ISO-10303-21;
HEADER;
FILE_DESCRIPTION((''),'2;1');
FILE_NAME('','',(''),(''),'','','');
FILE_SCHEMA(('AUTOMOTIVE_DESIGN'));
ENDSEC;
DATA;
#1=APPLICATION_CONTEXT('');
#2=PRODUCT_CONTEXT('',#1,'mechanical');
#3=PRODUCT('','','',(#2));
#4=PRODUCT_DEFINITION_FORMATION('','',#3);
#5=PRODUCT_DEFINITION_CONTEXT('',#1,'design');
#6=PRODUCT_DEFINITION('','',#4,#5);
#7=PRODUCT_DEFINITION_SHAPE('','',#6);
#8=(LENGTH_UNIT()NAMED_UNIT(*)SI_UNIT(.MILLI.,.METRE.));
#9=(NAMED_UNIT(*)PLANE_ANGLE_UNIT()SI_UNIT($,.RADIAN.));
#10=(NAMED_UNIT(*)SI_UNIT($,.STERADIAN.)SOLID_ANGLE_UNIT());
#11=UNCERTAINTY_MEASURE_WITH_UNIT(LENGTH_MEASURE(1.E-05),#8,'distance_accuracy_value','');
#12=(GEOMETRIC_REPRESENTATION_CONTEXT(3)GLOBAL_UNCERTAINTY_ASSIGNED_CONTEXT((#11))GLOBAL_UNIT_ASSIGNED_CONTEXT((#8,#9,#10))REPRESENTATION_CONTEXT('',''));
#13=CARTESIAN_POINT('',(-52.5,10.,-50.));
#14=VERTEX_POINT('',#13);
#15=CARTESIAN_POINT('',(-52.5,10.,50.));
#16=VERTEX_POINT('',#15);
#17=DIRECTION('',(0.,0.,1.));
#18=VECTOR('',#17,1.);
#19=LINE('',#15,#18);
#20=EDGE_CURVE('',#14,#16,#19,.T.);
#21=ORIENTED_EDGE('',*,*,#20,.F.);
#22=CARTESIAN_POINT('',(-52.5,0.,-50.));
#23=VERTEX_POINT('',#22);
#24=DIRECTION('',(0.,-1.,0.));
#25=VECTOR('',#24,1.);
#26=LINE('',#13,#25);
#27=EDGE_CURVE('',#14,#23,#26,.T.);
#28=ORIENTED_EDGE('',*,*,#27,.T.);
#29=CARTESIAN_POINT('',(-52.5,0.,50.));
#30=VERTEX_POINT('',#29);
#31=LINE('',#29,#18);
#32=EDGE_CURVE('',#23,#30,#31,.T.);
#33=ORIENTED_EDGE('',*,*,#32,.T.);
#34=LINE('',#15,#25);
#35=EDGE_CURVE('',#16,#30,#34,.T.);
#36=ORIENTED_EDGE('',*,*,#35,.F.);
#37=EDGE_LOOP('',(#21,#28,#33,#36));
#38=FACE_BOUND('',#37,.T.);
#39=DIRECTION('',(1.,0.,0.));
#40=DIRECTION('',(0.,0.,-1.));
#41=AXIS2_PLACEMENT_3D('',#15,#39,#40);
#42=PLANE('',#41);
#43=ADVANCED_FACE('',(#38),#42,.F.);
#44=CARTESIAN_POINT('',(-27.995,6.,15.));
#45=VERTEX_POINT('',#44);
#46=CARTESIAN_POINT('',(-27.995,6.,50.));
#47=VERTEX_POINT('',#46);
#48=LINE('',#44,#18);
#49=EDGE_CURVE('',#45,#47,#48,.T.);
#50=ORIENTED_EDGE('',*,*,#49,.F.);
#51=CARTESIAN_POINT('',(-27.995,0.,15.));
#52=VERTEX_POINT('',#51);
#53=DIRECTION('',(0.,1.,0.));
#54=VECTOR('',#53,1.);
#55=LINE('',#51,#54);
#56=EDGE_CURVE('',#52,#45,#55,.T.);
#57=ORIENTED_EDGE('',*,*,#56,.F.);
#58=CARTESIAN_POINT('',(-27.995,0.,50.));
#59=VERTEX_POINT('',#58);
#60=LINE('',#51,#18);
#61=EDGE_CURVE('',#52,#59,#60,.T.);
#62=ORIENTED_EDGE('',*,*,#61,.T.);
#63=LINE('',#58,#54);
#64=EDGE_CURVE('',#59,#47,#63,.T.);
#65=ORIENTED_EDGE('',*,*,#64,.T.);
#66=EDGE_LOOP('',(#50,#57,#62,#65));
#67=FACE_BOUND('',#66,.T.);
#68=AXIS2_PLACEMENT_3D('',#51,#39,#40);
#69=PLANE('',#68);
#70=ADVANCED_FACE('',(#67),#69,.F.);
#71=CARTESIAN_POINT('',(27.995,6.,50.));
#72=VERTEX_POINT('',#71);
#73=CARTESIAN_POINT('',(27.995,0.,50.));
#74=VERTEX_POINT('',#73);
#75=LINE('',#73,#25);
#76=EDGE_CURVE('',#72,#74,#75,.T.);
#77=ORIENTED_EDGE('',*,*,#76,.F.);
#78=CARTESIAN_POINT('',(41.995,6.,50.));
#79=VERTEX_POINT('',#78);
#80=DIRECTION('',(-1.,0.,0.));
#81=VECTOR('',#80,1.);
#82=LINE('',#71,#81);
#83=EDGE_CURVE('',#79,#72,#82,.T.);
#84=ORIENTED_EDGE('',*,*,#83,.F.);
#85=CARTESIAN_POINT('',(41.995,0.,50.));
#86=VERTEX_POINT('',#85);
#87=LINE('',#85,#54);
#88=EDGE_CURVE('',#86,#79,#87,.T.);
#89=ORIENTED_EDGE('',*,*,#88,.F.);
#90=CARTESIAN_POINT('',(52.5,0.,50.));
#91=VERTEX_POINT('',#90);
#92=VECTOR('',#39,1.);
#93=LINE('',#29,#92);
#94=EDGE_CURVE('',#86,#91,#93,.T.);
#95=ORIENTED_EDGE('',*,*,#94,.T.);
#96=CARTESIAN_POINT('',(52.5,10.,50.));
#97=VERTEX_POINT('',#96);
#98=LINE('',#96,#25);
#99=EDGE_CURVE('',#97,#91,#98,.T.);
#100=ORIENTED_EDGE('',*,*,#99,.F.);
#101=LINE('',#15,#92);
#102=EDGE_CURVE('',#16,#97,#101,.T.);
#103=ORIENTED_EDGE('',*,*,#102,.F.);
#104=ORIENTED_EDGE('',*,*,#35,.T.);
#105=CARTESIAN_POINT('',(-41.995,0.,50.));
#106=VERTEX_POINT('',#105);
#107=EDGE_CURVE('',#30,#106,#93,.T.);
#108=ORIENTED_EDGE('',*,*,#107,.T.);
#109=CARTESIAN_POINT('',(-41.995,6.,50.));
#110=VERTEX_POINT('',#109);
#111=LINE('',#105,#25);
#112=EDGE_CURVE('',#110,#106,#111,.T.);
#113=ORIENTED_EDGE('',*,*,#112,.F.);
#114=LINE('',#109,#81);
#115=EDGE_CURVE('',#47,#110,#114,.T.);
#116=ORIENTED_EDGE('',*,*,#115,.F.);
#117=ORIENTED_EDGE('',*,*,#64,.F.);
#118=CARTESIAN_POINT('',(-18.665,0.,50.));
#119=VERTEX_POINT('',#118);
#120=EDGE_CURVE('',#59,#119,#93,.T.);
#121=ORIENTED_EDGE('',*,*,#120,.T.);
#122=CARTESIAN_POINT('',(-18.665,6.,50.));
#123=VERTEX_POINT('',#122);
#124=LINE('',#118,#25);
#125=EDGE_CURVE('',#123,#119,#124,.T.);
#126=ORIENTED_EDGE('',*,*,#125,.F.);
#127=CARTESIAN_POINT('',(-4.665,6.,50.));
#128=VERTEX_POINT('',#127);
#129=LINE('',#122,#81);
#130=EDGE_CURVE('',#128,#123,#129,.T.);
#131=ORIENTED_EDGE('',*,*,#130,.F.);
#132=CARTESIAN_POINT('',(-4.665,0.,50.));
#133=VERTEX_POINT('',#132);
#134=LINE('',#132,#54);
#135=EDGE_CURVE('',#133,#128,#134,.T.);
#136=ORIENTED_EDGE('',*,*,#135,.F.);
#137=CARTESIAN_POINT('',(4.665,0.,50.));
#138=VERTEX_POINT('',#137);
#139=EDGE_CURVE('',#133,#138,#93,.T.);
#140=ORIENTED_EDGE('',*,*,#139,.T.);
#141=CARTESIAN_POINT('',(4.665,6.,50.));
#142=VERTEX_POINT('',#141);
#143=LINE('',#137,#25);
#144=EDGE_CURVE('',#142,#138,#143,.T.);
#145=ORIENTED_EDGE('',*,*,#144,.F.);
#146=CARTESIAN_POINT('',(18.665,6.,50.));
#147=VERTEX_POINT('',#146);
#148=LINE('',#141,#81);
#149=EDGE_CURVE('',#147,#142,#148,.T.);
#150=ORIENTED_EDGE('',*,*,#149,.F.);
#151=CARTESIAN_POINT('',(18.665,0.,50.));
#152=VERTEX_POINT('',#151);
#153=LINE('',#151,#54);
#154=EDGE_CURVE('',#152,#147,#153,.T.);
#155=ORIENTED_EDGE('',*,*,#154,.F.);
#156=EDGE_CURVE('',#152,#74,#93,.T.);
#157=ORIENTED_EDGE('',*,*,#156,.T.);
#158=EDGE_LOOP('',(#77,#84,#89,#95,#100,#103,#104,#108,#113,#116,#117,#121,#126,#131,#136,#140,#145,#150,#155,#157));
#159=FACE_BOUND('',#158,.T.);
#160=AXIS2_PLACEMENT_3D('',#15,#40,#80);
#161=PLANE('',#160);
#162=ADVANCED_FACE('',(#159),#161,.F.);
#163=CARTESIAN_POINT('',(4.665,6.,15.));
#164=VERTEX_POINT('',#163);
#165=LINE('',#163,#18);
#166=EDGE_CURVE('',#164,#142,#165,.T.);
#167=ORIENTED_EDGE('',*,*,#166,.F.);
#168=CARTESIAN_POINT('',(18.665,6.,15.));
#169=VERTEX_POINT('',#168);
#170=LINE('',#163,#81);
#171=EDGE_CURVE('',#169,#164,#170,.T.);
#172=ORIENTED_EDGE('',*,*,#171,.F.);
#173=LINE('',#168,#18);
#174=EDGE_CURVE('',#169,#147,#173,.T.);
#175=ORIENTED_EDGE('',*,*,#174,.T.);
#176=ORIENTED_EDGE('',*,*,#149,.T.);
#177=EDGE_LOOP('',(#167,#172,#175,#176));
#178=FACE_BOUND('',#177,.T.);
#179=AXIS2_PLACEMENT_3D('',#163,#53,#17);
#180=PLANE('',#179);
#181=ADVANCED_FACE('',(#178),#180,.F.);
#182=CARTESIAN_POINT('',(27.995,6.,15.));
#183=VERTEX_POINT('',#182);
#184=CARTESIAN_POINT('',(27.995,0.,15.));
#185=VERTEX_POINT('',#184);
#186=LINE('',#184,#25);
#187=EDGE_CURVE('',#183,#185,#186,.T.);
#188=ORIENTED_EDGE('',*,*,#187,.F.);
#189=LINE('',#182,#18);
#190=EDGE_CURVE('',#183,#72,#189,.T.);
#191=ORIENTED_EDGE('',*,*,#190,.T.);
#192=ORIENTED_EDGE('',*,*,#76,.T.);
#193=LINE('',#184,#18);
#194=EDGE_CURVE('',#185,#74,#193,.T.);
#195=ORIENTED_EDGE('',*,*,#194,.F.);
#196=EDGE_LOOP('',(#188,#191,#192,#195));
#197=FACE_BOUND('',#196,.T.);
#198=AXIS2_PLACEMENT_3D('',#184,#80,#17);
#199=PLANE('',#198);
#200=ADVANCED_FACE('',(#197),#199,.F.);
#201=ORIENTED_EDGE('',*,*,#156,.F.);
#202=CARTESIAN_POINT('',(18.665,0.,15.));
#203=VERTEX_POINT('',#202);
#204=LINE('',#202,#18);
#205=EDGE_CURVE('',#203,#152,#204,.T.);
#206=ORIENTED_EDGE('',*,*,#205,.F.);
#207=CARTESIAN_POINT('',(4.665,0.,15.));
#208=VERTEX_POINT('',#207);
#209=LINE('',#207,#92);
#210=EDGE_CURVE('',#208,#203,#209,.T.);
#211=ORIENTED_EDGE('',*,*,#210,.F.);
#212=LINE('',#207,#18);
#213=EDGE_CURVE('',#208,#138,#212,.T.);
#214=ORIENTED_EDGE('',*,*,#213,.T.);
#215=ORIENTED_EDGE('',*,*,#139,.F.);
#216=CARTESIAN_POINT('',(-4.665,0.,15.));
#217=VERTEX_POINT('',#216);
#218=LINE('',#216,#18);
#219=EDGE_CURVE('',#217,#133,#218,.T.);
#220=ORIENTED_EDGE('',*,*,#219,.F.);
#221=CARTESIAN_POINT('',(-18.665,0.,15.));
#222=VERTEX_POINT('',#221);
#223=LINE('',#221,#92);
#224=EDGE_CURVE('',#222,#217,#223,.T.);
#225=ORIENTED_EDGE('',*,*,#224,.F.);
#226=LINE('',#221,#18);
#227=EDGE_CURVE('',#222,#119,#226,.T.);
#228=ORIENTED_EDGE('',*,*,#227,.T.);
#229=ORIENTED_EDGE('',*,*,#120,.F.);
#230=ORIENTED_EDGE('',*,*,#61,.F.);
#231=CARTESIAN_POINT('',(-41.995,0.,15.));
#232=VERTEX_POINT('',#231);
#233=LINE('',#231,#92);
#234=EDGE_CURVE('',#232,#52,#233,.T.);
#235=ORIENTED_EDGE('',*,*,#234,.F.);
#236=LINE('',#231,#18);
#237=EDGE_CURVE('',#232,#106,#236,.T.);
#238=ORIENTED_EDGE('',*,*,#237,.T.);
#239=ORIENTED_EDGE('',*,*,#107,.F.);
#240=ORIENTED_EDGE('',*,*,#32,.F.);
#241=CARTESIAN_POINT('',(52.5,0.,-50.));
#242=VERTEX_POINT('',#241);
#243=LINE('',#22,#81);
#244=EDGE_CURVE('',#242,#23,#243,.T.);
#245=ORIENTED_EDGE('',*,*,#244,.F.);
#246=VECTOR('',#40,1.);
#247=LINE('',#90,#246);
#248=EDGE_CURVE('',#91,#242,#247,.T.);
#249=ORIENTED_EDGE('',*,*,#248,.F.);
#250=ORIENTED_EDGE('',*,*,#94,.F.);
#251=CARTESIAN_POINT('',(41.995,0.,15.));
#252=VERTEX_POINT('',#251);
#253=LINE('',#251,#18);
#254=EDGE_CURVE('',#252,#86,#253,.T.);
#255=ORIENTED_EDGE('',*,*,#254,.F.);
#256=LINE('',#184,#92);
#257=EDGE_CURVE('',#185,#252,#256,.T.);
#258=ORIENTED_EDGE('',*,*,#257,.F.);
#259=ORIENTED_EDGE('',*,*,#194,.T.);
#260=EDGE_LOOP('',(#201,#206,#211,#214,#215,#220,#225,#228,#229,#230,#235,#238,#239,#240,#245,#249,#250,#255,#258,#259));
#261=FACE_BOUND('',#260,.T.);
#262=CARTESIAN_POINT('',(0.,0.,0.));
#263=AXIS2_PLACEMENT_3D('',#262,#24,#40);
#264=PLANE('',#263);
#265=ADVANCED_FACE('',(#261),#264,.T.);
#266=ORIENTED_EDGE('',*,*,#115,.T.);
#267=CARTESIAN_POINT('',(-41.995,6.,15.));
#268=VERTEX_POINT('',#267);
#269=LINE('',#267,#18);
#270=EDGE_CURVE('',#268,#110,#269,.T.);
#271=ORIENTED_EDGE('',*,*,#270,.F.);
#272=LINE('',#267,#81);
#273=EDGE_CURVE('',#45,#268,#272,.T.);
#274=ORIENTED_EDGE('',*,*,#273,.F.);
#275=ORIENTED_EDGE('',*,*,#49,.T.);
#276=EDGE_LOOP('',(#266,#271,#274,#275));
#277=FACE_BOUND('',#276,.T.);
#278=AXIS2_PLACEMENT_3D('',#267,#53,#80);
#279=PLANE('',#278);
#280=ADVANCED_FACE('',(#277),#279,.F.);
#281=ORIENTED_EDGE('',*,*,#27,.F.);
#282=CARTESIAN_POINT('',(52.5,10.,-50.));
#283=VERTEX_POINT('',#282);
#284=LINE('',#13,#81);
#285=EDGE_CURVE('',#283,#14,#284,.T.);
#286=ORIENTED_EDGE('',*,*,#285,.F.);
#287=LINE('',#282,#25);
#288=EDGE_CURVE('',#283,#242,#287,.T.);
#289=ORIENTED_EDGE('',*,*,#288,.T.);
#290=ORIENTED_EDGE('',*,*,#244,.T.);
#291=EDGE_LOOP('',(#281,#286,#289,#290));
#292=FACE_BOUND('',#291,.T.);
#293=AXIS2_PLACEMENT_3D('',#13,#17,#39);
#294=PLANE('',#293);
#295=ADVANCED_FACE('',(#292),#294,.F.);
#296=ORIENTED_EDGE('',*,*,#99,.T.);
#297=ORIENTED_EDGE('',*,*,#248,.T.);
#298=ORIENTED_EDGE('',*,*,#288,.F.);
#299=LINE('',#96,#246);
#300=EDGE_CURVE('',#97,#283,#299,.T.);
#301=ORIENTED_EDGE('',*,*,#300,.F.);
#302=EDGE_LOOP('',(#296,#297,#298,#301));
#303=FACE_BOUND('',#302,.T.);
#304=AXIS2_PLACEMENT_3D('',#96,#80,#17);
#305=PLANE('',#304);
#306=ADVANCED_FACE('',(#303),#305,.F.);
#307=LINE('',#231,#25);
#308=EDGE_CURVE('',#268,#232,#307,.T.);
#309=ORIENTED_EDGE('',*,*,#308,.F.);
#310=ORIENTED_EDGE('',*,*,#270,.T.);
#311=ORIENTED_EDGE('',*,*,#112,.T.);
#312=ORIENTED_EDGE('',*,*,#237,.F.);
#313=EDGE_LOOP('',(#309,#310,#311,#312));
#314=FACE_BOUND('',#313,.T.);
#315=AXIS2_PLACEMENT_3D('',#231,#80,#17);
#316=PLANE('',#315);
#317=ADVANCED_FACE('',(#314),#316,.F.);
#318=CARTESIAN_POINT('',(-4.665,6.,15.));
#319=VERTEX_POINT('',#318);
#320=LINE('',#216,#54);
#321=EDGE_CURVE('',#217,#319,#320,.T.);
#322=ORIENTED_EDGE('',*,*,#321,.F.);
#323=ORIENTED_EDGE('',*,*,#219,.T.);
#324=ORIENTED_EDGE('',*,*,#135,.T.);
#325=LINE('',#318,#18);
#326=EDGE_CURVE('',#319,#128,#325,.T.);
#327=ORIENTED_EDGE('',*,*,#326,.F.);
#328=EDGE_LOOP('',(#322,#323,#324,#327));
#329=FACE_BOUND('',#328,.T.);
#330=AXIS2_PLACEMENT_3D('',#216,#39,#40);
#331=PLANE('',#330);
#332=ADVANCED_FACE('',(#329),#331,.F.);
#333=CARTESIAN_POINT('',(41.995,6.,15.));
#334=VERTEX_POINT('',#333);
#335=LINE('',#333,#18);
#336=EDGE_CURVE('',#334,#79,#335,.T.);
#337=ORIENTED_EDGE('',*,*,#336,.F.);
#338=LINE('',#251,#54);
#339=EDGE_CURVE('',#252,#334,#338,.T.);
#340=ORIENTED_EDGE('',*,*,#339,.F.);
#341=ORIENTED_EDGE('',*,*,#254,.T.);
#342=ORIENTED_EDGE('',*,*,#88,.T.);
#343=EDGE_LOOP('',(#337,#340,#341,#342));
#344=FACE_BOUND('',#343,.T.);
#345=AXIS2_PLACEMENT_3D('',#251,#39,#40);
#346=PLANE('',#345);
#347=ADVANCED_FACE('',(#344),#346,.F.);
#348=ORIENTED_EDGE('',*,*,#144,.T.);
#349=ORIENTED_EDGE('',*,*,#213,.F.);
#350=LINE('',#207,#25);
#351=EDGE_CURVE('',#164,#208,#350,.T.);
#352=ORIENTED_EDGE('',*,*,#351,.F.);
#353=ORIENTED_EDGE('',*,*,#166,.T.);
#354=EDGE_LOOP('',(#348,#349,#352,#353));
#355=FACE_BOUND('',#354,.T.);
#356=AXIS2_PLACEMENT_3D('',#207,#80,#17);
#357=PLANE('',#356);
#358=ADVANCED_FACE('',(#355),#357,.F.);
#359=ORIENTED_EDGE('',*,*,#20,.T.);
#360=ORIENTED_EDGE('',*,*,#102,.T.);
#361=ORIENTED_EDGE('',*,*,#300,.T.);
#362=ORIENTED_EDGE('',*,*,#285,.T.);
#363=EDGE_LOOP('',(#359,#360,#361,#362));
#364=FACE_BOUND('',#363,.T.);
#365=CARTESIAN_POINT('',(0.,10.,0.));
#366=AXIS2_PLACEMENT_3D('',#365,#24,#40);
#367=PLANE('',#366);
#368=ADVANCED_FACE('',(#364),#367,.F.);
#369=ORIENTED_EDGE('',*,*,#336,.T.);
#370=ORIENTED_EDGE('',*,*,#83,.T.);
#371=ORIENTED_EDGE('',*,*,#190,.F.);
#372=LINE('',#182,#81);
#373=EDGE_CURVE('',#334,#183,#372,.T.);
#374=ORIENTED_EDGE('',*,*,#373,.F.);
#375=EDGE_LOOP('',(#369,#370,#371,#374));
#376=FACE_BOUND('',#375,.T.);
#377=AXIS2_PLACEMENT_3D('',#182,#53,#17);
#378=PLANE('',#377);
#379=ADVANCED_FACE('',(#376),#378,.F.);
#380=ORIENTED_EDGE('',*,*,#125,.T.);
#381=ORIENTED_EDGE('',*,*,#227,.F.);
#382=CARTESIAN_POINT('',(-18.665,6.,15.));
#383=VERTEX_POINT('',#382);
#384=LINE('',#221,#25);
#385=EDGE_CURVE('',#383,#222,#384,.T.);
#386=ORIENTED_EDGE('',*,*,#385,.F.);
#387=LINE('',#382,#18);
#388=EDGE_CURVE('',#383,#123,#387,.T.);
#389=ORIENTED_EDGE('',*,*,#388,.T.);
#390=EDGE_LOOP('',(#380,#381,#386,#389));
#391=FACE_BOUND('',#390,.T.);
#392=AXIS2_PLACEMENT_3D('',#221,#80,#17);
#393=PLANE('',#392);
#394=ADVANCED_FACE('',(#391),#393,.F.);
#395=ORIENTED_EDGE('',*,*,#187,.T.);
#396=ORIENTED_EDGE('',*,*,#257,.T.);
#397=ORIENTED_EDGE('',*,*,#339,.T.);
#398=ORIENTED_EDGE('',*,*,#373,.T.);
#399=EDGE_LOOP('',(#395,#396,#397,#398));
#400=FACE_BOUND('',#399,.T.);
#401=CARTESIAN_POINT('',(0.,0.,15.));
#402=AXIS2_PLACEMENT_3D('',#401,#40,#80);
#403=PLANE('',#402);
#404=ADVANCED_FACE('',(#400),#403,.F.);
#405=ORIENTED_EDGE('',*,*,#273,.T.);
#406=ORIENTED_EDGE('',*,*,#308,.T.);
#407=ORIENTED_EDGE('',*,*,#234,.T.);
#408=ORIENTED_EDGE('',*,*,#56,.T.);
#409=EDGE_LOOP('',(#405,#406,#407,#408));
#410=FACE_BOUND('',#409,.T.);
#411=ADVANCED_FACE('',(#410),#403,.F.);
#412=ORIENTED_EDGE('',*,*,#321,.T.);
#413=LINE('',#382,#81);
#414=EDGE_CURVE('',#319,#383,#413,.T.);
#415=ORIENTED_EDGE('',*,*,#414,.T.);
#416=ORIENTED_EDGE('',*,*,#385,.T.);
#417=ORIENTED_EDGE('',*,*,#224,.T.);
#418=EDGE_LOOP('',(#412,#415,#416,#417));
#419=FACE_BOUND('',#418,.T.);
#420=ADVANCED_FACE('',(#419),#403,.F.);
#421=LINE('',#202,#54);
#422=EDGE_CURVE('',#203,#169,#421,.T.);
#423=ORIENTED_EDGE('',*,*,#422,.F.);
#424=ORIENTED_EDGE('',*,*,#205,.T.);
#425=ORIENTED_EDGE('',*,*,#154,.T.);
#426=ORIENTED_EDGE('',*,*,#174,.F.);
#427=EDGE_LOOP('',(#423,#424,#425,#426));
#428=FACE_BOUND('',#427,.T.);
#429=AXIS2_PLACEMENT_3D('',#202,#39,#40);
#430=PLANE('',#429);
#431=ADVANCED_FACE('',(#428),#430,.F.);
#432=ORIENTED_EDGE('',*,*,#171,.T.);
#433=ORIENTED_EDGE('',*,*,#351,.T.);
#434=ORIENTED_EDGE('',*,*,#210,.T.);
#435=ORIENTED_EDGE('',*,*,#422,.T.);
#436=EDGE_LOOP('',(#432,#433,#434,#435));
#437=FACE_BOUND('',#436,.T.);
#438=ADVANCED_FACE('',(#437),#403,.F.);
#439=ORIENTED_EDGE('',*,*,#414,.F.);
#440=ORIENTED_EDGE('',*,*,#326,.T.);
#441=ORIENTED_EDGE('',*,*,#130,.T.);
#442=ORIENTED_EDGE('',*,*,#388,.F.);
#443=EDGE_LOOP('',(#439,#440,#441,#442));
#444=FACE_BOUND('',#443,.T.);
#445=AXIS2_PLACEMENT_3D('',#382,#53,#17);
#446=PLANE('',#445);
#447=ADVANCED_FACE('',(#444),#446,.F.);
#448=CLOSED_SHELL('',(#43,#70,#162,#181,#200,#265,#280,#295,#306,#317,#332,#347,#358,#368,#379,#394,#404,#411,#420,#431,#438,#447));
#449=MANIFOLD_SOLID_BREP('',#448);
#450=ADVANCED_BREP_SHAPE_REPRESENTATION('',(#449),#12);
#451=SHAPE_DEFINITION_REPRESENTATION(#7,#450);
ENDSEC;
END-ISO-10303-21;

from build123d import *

# Parameters (mm, degrees)
SKETCH1_W           = 105
SKETCH1_H           = 100
BOSS_EXTRUDE1_DEPTH = 10
SKETCH2_W           = 14
SKETCH2_H           = 6
CUT_EXTRUDE1_DEPTH  = 35


with BuildPart() as part:
    # Sketch1 → Boss-Extrude1 (new body)
    with BuildSketch(Plane(origin=(0, 0, 0), x_dir=(1, 0, 0), z_dir=(0, 1, 0))):
        Rectangle(SKETCH1_W, SKETCH1_H)
    extrude(amount=BOSS_EXTRUDE1_DEPTH)

    # Sketch2 → Cut-Extrude1 (cut)
    with BuildSketch(Plane.XY.offset(50)):
        with Locations((-34.995, 3)):
            Rectangle(SKETCH2_W, SKETCH2_H)
        with Locations((-11.665, 3)):
            Rectangle(SKETCH2_W, SKETCH2_H)
        with Locations((34.995, 3)):
            Rectangle(SKETCH2_W, SKETCH2_H)
        with Locations((11.665, 3)):
            Rectangle(SKETCH2_W, SKETCH2_H)
    extrude(amount=-CUT_EXTRUDE1_DEPTH, mode=Mode.SUBTRACT)


solid = part.part
